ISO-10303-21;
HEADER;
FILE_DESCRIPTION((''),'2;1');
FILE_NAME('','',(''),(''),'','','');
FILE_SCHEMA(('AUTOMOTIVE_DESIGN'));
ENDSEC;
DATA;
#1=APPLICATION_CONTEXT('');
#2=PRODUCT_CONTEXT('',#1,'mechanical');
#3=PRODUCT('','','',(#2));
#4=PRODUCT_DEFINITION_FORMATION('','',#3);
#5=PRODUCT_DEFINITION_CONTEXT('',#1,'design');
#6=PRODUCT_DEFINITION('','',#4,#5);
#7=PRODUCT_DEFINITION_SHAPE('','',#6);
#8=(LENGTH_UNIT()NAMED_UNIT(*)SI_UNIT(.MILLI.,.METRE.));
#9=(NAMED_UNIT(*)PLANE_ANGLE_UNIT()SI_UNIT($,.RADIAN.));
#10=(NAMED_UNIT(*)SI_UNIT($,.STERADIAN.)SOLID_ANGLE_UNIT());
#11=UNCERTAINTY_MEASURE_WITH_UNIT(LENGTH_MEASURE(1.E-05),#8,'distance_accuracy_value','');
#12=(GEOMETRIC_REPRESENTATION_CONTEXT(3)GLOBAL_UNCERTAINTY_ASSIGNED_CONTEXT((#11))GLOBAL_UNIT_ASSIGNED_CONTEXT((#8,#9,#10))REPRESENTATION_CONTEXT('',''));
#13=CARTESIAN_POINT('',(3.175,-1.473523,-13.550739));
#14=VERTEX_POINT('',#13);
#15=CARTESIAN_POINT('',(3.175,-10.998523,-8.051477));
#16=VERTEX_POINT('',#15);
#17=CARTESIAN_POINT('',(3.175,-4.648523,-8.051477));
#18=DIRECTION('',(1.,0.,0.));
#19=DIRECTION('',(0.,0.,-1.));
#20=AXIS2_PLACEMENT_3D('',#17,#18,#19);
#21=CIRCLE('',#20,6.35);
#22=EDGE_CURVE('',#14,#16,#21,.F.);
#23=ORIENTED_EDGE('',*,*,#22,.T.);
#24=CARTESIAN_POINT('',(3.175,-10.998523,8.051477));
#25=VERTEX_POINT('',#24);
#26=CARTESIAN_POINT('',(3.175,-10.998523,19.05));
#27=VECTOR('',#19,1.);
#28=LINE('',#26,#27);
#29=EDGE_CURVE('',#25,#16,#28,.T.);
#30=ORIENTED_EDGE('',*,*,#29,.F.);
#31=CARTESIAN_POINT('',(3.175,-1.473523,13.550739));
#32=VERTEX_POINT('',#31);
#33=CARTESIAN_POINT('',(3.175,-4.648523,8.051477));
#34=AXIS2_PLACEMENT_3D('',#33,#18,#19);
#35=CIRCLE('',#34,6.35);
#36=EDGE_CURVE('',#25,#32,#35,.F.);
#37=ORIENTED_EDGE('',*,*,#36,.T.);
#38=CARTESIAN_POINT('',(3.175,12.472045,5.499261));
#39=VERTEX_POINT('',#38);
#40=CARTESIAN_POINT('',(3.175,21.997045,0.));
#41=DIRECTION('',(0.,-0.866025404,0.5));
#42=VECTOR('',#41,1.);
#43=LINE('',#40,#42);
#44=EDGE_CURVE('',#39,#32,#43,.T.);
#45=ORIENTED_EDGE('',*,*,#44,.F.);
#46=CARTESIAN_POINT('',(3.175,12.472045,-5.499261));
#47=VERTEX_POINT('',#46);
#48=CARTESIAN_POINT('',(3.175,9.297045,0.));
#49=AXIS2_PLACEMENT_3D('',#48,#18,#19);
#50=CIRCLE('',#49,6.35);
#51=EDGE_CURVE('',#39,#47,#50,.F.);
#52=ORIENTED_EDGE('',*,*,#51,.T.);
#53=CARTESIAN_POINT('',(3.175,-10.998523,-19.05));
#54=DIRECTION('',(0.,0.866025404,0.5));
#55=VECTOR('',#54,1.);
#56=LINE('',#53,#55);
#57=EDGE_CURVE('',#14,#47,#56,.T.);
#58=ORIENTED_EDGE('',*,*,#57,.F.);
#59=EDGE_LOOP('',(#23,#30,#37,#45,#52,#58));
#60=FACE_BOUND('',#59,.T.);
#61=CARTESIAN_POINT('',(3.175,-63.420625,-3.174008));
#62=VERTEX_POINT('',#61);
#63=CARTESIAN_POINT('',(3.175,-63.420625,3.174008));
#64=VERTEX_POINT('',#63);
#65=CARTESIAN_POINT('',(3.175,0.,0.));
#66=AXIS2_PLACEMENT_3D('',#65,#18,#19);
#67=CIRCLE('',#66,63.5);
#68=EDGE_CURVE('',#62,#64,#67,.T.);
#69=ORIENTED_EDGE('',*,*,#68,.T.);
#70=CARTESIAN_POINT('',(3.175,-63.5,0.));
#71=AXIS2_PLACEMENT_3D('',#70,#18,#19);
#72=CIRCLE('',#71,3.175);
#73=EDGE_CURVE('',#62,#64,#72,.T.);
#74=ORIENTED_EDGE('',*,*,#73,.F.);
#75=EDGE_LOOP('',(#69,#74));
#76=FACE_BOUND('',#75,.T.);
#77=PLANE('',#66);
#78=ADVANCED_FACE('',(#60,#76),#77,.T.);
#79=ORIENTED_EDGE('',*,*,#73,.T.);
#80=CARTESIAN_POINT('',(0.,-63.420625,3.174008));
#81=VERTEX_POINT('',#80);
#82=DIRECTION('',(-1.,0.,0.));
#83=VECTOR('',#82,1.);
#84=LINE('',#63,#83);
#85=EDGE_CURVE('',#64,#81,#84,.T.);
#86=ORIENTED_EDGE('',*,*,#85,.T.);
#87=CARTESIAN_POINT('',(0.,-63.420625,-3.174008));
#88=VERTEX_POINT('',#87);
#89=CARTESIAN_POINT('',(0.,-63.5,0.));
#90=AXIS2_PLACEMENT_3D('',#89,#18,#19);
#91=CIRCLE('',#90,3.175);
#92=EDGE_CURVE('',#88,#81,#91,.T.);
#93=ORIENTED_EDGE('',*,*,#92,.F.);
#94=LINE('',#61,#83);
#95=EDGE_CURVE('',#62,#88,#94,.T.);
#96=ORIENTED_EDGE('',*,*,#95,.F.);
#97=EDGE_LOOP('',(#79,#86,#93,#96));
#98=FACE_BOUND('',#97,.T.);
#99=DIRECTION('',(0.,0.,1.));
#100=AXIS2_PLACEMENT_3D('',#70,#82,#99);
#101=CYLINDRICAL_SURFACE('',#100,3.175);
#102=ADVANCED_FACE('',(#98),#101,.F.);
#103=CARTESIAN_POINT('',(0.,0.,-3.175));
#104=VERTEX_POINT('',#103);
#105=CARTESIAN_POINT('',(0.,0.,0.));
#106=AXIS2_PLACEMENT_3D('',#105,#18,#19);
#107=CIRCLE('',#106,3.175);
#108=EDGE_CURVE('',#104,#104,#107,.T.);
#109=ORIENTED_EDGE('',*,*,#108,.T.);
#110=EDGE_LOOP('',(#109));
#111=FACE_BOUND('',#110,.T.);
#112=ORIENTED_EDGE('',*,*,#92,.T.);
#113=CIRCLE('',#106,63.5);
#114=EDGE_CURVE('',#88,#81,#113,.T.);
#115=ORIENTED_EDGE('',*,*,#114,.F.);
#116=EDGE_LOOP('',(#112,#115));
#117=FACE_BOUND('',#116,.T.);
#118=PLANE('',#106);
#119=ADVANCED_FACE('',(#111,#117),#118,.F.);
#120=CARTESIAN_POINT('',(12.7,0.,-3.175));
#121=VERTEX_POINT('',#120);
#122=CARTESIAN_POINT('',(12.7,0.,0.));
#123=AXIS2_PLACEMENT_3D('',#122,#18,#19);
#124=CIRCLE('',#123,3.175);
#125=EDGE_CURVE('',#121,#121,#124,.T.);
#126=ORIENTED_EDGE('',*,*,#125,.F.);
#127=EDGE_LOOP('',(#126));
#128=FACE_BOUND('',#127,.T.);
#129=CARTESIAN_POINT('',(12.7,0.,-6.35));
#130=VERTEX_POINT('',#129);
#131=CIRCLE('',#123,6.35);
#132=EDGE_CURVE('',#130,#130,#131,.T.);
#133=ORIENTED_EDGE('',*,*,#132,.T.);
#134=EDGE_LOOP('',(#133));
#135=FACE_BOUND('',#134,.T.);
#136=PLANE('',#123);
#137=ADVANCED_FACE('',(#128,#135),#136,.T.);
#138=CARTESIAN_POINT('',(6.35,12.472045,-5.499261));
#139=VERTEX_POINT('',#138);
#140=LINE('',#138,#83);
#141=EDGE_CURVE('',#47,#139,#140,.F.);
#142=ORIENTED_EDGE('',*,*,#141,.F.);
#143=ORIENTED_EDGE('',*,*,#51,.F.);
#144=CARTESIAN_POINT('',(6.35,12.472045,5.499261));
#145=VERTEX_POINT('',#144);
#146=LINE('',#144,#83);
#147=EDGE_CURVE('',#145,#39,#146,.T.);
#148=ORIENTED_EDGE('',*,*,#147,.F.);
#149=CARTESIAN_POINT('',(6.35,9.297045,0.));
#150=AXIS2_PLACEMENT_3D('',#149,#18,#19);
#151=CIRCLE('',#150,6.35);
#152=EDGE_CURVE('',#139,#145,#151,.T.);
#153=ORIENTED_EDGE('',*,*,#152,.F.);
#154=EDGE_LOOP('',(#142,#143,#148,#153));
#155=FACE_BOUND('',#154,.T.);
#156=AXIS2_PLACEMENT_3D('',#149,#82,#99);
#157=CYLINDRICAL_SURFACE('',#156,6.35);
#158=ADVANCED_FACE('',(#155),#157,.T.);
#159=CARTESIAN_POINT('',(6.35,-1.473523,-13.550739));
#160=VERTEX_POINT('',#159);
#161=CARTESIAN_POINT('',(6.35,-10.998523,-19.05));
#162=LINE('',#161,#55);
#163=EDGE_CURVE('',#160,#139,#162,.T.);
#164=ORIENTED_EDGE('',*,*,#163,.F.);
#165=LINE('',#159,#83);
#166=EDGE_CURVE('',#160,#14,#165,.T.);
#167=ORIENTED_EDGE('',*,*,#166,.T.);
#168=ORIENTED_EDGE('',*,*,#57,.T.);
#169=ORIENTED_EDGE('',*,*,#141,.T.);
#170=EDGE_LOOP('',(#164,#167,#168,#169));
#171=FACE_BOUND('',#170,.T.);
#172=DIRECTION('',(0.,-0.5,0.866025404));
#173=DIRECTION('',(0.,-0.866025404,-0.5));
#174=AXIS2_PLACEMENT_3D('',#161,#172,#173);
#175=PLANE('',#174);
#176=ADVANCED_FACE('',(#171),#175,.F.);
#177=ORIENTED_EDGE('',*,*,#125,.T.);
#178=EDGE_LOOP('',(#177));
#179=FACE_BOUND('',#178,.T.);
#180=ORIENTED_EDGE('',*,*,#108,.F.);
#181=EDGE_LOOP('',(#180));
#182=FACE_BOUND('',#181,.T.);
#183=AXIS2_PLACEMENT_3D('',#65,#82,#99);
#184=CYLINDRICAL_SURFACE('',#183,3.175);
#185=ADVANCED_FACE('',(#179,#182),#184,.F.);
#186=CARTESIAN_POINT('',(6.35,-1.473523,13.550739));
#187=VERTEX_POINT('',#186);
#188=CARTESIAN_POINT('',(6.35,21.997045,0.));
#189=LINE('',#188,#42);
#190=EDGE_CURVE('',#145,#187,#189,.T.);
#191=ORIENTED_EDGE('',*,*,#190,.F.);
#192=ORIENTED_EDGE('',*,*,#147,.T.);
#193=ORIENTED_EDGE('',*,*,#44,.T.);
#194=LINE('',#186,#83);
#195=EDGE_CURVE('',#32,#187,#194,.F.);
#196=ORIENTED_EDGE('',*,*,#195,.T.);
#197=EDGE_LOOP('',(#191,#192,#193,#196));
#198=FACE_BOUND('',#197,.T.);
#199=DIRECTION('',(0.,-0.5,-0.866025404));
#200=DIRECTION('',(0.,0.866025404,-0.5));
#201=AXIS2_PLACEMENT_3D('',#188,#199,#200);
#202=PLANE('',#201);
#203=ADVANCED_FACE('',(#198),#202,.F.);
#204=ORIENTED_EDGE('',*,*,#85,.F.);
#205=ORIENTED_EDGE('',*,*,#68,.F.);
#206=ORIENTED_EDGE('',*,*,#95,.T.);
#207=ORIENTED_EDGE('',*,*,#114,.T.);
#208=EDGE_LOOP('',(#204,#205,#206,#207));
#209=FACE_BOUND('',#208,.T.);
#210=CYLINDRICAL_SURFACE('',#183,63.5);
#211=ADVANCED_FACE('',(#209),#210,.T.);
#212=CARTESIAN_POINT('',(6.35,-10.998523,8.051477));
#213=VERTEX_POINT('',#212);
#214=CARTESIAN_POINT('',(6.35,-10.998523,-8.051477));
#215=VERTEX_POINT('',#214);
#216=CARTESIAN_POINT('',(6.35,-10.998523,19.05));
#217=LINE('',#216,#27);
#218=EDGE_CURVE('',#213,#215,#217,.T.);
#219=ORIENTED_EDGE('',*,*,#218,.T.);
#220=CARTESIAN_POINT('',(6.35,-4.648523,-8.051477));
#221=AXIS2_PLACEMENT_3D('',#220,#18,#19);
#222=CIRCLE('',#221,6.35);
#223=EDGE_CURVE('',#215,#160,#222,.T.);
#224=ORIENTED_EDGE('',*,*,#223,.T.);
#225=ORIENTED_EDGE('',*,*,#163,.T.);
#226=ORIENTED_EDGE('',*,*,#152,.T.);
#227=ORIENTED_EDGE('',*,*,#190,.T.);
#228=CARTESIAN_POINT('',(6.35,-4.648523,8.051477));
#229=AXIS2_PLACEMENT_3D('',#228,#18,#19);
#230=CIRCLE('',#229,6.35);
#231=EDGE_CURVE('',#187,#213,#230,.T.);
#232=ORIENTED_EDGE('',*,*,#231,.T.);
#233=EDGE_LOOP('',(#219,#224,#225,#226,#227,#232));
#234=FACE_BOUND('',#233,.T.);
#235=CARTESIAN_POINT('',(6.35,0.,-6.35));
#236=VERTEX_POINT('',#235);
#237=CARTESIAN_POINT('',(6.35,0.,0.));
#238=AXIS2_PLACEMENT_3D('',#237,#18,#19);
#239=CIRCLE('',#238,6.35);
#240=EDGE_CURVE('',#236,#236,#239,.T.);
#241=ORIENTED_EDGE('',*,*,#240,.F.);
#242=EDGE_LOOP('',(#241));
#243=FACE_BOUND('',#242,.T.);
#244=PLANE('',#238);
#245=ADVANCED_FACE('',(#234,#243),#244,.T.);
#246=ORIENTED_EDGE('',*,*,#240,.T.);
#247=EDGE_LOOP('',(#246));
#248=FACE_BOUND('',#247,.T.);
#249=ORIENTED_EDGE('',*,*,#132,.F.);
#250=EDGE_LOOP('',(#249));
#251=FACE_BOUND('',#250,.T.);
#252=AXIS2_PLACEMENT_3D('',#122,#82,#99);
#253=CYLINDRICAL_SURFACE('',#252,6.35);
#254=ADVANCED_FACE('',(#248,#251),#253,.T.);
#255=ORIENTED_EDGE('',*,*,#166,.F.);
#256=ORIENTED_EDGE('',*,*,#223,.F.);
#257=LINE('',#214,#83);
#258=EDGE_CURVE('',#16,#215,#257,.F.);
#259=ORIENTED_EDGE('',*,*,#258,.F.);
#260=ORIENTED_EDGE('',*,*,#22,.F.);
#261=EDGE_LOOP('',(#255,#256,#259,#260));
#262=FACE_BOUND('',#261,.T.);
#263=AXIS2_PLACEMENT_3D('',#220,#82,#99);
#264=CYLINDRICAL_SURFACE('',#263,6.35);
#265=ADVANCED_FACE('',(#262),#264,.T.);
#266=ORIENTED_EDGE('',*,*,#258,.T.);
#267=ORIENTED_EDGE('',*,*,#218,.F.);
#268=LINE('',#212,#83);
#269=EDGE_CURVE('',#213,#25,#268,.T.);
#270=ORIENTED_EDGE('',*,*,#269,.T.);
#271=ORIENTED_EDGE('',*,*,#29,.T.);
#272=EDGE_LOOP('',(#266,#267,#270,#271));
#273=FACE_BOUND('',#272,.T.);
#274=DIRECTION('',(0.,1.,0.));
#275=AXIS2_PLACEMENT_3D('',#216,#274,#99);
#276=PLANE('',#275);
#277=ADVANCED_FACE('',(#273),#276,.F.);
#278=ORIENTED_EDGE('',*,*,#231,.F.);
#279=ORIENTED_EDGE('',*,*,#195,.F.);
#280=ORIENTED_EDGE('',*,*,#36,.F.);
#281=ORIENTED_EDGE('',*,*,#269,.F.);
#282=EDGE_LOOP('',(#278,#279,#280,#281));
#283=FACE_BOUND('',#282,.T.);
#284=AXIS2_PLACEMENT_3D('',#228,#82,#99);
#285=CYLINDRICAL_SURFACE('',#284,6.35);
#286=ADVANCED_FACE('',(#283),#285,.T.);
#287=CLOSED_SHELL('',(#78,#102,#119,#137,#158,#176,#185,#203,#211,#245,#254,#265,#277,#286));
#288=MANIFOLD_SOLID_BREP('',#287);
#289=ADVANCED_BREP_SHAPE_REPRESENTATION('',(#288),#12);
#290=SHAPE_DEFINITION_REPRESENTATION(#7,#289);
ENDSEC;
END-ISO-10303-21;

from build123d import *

# Parameters (mm, degrees)
SKETCH1_R           = 3.175
BOSS_EXTRUDE1_DEPTH = 3.175
SKETCH3_R           = 3.175
BOSS_EXTRUDE2_DEPTH = 3.175
SKETCH4_R           = 6.35
SKETCH4_R_2         = 3.175
BOSS_EXTRUDE3_DEPTH = 6.35
FILLET1_R           = 6.35


with BuildPart() as part:
    # Sketch1 → Boss-Extrude1 (new body)
    with BuildSketch(Plane(origin=(0, 0, 0), x_dir=(0, 0, -1), z_dir=(1, 0, 0))):
        with BuildLine():
            ThreePointArc((3.174007657, -63.420625), (0, -60.325), (-3.174007657, -63.420625))
            ThreePointArc((-3.174007657, -63.420625), (0, 63.5), (3.174007657, -63.420625))
        make_face()
        Circle(SKETCH1_R, mode=Mode.SUBTRACT)
    extrude(amount=BOSS_EXTRUDE1_DEPTH)

    # Sketch3 → Boss-Extrude2 (add)
    with BuildSketch(Plane(origin=(3.175, 0, 0), x_dir=(0, 0, -1), z_dir=(1, 0, 0))):
        Polygon((0, 21.997045256), (-19.05, -10.998522628), (19.05, -10.998522628), align=None)
        Circle(SKETCH3_R, mode=Mode.SUBTRACT)
    extrude(amount=BOSS_EXTRUDE2_DEPTH)

    # Sketch4 → Boss-Extrude3 (add)
    with BuildSketch(Plane(origin=(6.35, 0, 0), x_dir=(0, 0, -1), z_dir=(1, 0, 0))):
        Circle(SKETCH4_R)
        Circle(SKETCH4_R_2, mode=Mode.SUBTRACT)
    extrude(amount=BOSS_EXTRUDE3_DEPTH)

    # Fillet1
    fillet1_edges = [part.edges().sort_by_distance(p)[0] for p in [
        (4.7625, -10.998522628, -19.05),
        (4.7625, 21.997045256, 0),
        (4.7625, -10.998522628, 19.05),
    ]]
    fillet(fillet1_edges, radius=FILLET1_R)


solid = part.part
